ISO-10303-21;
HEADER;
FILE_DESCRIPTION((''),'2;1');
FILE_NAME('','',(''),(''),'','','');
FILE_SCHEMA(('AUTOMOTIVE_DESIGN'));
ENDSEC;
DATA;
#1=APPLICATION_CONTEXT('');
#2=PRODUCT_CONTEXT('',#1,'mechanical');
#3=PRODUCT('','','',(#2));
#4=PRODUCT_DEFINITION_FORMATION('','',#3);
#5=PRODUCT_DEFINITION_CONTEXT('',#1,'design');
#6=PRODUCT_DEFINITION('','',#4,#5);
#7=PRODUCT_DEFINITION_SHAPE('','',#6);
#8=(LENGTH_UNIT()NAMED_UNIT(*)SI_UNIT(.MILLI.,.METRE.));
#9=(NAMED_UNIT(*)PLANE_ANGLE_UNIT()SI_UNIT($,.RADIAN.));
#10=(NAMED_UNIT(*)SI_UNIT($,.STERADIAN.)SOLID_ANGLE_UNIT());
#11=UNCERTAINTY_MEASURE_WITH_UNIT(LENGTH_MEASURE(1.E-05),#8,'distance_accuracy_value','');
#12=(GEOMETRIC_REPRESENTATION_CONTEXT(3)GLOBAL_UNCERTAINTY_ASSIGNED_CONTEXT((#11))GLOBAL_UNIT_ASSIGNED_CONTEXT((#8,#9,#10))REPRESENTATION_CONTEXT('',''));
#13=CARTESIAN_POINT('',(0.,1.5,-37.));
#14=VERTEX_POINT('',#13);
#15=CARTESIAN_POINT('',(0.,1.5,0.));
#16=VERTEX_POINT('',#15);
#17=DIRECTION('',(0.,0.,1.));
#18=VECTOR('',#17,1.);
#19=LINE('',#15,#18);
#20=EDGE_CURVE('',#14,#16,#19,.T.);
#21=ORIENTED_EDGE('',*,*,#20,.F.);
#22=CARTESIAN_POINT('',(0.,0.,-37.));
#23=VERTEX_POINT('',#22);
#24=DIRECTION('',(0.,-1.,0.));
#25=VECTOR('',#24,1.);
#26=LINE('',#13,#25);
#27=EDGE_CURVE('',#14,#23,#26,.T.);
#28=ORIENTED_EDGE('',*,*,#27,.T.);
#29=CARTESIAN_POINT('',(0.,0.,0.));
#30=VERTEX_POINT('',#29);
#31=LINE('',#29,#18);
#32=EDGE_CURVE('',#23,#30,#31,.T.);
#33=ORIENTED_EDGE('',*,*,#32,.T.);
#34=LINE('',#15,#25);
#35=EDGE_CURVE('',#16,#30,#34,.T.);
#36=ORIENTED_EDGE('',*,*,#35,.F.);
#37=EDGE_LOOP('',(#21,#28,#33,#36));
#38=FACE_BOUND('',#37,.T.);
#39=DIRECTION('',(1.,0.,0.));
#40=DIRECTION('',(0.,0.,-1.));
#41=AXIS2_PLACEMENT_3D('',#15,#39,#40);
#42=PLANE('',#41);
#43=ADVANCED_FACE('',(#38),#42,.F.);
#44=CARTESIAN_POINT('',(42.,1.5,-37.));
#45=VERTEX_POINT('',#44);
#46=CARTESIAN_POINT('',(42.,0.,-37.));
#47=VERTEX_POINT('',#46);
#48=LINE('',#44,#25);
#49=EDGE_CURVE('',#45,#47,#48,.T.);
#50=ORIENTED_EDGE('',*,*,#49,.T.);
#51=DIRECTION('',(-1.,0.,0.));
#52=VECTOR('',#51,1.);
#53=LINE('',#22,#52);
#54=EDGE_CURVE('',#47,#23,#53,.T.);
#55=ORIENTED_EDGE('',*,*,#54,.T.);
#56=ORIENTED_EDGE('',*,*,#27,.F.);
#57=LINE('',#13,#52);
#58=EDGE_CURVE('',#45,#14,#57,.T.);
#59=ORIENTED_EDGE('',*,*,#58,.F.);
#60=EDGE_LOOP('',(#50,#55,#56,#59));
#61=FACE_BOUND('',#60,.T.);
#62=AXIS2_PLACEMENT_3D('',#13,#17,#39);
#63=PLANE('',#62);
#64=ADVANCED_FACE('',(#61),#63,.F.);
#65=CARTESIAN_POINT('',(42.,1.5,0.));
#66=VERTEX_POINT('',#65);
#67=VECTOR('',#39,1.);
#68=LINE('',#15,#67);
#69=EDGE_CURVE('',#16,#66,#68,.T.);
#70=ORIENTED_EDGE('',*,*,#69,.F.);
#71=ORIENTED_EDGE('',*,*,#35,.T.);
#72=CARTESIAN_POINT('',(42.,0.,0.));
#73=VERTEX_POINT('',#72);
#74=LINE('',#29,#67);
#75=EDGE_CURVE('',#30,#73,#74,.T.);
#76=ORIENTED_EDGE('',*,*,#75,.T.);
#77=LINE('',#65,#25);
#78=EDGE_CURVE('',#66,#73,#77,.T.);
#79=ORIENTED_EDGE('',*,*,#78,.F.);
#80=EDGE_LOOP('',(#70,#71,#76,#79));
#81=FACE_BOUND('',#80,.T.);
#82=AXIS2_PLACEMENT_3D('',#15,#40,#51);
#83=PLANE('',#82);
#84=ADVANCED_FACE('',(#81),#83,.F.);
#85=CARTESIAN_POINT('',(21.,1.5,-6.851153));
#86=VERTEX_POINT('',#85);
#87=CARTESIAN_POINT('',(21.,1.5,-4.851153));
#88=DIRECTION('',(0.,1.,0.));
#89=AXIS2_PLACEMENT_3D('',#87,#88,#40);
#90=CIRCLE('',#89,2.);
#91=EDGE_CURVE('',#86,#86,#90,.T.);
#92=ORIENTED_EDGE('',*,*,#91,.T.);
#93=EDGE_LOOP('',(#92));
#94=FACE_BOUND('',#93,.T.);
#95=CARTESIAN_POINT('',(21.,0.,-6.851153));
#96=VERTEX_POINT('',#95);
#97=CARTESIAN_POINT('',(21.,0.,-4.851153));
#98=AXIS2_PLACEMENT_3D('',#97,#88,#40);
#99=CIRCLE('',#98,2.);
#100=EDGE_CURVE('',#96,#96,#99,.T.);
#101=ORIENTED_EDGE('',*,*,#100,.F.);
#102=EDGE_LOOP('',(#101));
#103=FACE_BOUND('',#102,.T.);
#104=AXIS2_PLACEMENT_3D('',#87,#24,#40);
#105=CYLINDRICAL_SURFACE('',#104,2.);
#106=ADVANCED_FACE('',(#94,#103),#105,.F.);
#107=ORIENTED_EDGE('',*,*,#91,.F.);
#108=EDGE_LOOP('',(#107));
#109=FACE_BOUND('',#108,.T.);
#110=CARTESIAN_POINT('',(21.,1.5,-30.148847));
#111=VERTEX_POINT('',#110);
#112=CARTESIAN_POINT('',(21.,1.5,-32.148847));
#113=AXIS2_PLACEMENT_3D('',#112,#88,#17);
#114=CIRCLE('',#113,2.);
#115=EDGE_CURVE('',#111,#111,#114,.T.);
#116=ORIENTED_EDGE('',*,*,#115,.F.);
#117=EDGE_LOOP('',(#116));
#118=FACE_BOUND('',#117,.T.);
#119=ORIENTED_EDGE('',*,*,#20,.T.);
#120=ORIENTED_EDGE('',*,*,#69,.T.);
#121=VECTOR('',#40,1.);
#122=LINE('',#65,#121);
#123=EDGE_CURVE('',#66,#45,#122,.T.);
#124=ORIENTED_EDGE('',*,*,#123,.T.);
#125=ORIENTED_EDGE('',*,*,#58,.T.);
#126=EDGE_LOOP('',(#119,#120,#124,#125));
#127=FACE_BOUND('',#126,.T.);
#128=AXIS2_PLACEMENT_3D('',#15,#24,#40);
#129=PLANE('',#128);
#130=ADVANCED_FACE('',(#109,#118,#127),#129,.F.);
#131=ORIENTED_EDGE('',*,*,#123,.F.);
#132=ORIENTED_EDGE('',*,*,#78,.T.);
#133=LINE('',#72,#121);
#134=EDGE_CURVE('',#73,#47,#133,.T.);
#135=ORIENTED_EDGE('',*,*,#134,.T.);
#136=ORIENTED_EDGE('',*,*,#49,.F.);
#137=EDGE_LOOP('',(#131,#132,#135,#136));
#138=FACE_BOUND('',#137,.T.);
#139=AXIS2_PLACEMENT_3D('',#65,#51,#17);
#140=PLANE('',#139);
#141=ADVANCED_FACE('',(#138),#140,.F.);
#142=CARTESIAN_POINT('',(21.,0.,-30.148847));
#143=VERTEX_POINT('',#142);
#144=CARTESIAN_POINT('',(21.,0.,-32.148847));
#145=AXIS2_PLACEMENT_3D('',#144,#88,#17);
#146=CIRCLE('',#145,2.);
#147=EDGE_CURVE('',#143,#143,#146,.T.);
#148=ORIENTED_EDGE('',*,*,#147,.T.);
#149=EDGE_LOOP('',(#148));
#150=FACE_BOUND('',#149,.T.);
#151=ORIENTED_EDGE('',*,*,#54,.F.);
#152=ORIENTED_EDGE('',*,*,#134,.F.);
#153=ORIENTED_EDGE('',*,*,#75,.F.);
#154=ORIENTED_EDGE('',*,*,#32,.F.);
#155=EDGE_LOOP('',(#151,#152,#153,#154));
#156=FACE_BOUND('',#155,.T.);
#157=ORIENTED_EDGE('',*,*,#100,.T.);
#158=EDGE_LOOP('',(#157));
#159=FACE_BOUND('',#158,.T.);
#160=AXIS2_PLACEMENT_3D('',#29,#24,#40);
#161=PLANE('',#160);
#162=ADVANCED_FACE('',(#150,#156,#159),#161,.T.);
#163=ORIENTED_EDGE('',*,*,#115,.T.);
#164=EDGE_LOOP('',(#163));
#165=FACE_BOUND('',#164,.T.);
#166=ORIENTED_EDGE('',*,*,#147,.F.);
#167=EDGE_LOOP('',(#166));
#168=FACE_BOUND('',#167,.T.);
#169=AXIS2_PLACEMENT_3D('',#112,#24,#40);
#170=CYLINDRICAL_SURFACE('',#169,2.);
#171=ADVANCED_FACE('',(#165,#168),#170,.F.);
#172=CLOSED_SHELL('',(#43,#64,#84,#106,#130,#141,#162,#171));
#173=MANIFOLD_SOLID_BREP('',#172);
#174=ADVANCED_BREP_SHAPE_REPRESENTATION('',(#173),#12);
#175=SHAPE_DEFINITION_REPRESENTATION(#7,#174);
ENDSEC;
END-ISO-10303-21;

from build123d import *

# Parameters (mm, degrees)
SKETCH_1_W      = 42
SKETCH_1_H      = 37
SKETCH_1_R      = 2
EXTRUDE_1_DEPTH = 1.5


with BuildPart() as part:
    # Эскиз1 → Бобышка-Вытянуть1 (new body)
    with BuildSketch(Plane(origin=(0, 0, 0), x_dir=(1, 0, 0), z_dir=(0, 1, 0))):
        with Locations((21, 18.5)):
            Rectangle(SKETCH_1_W, SKETCH_1_H)
        with Locations((21, 32.148846945)):
            Circle(SKETCH_1_R, mode=Mode.SUBTRACT)
        with Locations((21, 4.851153055)):
            Circle(SKETCH_1_R, mode=Mode.SUBTRACT)
    extrude(amount=EXTRUDE_1_DEPTH)


solid = part.part
